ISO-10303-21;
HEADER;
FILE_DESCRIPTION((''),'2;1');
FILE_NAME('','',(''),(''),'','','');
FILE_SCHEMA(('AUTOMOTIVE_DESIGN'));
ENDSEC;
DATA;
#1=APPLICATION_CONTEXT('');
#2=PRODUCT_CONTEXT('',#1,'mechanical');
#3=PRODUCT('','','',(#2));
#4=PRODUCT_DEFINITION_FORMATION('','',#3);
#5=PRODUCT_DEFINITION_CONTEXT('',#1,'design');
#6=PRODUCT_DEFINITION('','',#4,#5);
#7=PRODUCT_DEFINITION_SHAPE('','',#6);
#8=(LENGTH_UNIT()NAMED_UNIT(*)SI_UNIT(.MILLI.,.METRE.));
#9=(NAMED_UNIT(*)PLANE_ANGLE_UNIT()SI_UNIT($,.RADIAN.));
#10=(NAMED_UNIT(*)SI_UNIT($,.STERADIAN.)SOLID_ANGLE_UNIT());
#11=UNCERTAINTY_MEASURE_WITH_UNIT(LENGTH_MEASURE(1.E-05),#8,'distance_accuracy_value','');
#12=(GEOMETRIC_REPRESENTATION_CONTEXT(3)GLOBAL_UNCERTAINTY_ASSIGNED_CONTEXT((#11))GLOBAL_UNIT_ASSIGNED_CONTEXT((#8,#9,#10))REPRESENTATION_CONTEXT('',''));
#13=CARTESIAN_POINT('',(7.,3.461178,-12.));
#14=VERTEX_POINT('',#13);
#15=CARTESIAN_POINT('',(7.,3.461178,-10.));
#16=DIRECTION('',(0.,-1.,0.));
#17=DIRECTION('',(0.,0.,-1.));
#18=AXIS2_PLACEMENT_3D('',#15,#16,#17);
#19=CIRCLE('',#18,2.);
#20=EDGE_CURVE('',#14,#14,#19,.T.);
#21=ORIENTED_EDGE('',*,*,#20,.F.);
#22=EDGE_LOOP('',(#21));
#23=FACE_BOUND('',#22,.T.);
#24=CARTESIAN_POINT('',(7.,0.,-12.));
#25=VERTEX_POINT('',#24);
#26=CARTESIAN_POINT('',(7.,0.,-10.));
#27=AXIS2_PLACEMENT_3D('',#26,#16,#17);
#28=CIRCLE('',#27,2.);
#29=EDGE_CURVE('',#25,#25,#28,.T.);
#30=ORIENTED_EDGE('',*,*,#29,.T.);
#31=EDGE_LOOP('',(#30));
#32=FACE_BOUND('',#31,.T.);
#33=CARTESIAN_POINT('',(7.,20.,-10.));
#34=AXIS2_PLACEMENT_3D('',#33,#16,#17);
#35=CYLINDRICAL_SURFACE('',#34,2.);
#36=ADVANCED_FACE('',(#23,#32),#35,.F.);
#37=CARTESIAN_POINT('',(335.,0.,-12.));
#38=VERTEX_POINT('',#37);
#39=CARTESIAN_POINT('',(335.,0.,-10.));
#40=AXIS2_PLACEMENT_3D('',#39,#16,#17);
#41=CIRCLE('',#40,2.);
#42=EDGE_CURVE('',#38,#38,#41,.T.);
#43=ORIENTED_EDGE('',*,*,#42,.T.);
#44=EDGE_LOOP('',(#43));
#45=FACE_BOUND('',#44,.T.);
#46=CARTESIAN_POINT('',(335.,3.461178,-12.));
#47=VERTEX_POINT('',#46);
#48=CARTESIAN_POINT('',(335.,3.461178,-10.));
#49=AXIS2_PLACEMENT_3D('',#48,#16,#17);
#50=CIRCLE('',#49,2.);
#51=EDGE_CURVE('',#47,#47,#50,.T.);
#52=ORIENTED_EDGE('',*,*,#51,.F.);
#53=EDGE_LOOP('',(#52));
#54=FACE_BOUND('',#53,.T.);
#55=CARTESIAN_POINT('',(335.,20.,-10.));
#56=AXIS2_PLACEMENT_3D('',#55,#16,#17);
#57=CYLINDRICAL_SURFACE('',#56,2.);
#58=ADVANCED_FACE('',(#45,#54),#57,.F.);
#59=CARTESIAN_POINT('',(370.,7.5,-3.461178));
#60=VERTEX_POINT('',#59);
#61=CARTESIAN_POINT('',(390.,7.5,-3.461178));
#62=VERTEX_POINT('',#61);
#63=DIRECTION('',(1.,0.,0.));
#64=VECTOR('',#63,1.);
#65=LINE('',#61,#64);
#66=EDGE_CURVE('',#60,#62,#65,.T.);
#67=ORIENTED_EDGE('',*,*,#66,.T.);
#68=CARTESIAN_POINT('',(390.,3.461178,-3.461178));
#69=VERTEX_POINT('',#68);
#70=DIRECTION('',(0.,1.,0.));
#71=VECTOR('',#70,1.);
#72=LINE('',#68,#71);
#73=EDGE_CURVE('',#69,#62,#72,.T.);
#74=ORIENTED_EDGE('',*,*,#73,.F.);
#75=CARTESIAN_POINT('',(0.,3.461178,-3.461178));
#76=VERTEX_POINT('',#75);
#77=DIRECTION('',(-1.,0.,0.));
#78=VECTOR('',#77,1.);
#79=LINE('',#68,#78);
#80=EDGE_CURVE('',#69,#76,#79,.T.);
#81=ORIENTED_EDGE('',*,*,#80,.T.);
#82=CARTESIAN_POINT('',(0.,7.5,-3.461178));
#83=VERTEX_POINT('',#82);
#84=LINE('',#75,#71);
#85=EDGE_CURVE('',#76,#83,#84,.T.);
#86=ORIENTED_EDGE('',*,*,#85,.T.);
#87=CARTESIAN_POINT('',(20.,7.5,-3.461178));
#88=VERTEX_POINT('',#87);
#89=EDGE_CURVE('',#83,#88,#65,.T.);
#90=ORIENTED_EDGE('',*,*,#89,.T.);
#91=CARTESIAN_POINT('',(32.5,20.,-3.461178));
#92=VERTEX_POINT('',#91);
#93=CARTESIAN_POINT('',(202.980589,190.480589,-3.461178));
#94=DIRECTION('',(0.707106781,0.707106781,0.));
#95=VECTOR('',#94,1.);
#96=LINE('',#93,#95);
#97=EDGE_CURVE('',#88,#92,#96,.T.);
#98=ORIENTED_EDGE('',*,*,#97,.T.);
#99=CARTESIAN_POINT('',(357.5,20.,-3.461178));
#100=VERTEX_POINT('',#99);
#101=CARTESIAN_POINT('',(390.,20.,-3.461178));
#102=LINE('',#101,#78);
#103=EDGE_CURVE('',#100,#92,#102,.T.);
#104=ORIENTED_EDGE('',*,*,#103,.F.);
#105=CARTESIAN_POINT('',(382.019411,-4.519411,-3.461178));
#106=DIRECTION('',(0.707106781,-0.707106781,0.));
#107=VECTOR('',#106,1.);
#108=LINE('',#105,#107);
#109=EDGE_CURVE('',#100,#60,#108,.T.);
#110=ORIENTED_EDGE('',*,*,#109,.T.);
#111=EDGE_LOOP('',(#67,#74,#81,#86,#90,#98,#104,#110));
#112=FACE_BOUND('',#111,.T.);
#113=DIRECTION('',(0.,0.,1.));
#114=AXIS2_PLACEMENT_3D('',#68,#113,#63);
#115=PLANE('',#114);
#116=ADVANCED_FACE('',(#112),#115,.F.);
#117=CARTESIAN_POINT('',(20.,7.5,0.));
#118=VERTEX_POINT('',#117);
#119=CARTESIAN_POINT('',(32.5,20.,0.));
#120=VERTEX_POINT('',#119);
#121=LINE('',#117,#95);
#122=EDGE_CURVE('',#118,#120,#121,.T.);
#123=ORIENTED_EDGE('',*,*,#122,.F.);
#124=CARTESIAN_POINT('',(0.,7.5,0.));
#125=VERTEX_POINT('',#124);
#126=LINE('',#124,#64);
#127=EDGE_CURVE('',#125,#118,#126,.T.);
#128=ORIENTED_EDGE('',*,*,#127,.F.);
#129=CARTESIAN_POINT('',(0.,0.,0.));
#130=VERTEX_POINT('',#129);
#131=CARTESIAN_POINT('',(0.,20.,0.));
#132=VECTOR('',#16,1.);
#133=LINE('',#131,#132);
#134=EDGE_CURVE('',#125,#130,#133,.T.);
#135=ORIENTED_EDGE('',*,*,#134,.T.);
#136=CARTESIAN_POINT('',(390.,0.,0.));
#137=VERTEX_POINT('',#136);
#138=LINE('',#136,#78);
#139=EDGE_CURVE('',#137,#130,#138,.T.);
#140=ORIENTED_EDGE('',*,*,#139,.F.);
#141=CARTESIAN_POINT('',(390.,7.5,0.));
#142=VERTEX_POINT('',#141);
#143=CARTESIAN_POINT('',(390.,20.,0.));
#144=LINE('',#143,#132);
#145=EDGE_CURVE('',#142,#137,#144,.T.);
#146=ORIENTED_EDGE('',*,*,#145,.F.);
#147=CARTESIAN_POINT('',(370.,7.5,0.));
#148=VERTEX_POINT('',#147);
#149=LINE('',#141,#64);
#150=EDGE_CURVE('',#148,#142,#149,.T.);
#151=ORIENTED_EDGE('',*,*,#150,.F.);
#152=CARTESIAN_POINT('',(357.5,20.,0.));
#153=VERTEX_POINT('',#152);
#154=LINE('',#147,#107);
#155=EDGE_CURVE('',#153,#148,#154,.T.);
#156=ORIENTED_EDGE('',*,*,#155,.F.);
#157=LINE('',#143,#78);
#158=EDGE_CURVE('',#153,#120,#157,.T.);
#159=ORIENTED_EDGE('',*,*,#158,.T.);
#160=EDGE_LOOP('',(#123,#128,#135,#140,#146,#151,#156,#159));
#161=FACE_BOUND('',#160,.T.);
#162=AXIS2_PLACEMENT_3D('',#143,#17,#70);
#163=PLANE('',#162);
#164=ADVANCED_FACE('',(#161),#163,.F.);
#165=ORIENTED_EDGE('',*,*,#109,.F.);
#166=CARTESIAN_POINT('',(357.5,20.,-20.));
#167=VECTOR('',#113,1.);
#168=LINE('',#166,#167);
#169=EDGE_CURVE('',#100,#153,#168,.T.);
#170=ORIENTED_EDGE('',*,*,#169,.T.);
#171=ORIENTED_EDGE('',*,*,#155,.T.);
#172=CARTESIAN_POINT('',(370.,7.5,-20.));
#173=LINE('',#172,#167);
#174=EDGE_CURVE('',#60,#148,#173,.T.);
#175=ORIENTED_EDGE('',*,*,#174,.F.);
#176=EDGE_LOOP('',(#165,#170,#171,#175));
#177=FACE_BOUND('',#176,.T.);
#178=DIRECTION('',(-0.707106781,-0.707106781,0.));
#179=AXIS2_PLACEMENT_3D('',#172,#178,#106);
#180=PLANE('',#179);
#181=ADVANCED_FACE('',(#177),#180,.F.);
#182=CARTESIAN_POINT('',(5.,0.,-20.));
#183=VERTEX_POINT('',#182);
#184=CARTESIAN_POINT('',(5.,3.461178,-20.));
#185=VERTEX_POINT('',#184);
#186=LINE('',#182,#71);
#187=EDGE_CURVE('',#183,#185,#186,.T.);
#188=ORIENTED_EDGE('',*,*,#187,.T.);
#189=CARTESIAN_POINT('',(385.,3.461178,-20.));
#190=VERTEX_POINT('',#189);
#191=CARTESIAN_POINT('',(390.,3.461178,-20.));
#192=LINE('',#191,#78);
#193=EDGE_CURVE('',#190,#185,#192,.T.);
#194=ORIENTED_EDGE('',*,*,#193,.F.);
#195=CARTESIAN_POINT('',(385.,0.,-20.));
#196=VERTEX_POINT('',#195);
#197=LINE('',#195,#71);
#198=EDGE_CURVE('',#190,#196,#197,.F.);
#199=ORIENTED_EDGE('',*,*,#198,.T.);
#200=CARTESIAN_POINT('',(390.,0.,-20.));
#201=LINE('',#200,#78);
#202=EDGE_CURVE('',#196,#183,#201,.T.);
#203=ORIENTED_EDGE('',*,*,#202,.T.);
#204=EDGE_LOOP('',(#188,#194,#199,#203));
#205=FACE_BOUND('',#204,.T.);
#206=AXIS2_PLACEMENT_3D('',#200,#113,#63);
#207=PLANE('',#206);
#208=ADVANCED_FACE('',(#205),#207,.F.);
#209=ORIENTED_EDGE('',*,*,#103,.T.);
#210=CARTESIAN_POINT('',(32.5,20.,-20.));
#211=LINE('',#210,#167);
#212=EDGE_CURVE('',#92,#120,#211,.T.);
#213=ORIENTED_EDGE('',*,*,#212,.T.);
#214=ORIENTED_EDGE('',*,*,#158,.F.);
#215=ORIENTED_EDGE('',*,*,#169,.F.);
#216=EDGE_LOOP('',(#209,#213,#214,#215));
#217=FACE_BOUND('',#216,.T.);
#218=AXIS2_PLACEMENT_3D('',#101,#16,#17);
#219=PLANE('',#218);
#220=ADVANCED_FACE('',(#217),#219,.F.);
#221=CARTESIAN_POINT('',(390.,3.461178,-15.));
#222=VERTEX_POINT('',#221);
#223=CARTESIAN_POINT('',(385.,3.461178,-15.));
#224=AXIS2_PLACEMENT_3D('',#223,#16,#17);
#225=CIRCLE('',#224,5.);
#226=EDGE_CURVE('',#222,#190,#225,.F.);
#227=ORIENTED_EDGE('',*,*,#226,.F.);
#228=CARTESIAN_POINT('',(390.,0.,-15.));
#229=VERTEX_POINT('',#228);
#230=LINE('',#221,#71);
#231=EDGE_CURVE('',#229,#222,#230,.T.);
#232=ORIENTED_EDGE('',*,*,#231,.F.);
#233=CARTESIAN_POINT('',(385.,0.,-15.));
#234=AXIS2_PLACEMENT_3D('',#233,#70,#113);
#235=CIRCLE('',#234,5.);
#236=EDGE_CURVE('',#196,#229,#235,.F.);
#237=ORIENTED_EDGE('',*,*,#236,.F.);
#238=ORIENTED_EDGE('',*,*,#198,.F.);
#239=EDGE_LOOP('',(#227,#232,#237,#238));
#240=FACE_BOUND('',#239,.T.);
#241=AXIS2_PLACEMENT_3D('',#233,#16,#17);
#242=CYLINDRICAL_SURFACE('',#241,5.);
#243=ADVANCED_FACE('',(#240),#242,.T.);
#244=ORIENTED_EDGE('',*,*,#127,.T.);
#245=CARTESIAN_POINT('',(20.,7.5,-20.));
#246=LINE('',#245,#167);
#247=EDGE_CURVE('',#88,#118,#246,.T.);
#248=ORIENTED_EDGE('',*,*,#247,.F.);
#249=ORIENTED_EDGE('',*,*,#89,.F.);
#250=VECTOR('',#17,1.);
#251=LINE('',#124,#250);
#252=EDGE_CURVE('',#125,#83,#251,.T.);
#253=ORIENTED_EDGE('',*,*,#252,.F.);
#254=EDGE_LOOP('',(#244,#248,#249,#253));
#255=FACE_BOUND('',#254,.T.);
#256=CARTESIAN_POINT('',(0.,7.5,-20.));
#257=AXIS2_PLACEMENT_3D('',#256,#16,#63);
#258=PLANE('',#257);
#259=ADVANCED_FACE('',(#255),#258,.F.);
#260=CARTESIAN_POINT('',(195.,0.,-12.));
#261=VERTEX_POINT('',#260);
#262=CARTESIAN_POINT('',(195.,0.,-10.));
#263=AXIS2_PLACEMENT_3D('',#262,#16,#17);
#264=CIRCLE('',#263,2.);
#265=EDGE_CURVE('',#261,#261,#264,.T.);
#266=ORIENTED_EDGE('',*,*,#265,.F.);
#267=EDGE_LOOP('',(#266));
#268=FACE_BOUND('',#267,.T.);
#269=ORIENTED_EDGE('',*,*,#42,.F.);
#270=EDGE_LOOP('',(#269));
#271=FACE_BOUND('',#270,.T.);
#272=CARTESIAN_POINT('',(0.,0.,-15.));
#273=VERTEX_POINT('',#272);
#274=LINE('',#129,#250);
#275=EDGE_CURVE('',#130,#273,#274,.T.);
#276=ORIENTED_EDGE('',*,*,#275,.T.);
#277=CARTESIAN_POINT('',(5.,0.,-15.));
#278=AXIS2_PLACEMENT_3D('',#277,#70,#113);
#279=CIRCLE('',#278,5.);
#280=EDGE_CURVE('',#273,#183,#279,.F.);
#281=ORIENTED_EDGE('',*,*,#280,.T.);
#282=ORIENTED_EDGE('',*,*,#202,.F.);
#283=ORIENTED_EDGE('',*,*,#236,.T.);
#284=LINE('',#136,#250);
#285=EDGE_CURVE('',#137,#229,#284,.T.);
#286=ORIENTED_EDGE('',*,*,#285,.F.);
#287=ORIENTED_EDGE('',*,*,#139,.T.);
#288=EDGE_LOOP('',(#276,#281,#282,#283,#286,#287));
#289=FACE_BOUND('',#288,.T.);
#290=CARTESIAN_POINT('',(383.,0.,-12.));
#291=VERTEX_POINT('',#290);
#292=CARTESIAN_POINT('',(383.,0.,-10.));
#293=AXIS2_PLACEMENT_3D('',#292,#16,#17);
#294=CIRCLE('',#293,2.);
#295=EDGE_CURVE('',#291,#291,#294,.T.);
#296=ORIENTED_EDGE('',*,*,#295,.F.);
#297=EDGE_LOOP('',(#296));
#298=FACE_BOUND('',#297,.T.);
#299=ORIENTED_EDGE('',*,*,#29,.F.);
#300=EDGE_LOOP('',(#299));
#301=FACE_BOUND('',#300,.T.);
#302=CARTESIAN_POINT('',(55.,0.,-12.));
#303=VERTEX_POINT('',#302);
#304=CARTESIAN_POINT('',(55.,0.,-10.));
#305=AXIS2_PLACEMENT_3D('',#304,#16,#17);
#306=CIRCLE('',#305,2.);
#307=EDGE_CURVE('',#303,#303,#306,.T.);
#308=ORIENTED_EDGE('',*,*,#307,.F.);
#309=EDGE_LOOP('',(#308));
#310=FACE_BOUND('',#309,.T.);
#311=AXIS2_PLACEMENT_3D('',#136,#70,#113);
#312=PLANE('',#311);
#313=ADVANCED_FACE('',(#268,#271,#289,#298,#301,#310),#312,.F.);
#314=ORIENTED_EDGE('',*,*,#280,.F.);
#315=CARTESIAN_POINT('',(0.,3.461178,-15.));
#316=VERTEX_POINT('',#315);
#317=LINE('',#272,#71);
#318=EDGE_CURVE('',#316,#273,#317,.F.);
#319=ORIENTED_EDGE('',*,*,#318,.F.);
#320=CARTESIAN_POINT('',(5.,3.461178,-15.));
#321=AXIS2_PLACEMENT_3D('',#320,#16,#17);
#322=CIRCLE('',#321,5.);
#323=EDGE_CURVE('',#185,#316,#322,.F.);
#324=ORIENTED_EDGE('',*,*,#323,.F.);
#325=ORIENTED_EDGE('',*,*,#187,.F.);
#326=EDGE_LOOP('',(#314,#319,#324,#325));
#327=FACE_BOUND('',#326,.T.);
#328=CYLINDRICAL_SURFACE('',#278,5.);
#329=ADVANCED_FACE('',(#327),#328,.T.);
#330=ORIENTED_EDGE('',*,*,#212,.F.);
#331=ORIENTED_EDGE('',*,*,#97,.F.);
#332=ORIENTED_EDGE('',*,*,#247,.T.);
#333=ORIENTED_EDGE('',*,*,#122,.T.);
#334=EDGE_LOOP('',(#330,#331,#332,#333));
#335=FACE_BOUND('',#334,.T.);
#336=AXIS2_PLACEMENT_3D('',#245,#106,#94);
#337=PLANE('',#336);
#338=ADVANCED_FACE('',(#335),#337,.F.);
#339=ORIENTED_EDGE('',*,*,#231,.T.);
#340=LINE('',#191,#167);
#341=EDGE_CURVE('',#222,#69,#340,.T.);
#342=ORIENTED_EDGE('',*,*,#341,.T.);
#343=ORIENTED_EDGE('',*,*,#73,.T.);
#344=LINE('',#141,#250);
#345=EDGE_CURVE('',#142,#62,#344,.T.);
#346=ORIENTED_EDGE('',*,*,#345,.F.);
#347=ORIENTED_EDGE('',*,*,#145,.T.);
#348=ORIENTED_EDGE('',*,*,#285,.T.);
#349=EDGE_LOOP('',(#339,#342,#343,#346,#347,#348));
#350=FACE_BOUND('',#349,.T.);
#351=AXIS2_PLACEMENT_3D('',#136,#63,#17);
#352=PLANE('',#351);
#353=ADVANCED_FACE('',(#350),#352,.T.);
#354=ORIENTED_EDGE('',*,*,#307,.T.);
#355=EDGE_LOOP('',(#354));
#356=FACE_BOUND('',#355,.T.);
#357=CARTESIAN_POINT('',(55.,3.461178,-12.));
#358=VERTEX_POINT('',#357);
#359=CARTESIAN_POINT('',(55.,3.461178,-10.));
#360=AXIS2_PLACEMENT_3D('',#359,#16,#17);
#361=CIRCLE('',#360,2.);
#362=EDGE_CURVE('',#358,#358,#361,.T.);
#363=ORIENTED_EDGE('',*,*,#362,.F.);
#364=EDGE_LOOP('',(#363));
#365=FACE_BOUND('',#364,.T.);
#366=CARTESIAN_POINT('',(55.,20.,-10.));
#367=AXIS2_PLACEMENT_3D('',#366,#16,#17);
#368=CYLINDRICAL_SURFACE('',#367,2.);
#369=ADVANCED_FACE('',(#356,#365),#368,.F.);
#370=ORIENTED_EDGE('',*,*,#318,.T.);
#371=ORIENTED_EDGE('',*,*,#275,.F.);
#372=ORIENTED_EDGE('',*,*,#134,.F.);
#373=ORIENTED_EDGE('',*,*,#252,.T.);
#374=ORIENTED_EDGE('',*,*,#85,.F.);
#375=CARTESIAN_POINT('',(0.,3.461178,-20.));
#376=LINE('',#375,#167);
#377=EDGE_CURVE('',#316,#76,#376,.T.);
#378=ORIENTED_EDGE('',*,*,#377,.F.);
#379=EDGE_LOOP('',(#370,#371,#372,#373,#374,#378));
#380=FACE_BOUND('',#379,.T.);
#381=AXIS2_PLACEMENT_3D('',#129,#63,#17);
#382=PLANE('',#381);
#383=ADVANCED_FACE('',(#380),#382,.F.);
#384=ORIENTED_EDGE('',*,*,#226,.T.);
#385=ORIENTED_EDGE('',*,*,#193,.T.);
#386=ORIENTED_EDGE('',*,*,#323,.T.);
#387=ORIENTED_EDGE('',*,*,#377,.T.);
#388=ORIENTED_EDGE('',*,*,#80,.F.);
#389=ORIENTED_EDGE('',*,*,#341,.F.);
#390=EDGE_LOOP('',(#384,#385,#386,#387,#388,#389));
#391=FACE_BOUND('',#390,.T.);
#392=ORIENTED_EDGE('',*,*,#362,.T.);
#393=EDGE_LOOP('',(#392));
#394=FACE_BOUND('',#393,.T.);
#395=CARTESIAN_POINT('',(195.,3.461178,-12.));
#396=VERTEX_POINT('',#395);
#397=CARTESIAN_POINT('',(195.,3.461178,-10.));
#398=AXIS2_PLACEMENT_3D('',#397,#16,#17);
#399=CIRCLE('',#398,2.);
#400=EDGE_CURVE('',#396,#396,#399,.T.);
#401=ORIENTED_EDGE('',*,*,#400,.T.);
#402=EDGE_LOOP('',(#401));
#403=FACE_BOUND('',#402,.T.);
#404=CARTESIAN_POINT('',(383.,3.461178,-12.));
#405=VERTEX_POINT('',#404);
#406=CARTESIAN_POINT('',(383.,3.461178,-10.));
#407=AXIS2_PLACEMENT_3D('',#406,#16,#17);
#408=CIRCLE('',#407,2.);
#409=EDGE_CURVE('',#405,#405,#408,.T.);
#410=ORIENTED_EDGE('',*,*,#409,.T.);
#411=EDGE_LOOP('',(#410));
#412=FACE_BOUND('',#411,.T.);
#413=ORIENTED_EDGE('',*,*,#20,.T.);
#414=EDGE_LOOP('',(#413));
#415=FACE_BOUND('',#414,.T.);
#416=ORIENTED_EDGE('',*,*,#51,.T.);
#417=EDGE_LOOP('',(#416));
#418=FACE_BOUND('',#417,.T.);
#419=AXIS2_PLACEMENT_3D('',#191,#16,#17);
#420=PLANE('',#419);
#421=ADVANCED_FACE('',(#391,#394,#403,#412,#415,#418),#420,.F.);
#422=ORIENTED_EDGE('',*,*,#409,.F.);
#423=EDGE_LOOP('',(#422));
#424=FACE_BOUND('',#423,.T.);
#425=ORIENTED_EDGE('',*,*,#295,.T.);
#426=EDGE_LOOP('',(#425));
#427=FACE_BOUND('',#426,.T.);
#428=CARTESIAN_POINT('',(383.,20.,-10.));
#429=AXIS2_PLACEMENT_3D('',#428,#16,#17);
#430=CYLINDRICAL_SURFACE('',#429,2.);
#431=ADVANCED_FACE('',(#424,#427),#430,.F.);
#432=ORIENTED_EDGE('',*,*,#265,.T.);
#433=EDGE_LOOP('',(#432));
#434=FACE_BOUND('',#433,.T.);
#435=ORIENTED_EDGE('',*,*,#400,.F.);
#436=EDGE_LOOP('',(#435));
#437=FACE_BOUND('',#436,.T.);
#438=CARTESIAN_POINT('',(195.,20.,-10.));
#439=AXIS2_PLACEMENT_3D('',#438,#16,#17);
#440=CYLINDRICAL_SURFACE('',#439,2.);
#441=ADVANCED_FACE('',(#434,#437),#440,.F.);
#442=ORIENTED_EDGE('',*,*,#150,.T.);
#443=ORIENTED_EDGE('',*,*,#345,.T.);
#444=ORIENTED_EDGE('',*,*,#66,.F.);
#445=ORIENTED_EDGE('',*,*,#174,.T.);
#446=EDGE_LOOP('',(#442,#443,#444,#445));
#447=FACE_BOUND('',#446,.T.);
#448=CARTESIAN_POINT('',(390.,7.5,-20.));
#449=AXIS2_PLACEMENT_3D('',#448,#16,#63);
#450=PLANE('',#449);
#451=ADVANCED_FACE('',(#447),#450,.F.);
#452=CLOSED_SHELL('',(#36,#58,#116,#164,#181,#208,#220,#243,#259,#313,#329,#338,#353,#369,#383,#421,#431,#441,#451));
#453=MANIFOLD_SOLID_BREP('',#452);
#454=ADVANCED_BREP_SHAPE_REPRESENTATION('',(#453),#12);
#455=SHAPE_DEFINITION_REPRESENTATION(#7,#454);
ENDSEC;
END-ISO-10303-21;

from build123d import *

# Parameters (mm, degrees)
BOSS_EXTRUDE1_DEPTH = 390
SKETCH2_R           = 2
CUT_EXTRUDE1_DEPTH  = 392.02429592
CUT_EXTRUDE2_DEPTH  = 392.02429592
FILLET1_R           = 5


with BuildPart() as part:
    # Sketch1 → Boss-Extrude1 (new body)
    with BuildSketch(Plane(origin=(0, 0, 0), x_dir=(0, 0, -1), z_dir=(1, 0, 0))):
        Polygon((0, 0), (20, 0), (20, 3.461178467), (3.461178467, 3.461178467), (3.461178467, 20), (0, 20), align=None)
    extrude(amount=BOSS_EXTRUDE1_DEPTH)

    # Sketch2 → Cut-Extrude1 (cut, through all)
    with BuildSketch(Plane.XZ):
        with Locations(Location((195, -10, 0), (0, 0, 270))):
            Circle(SKETCH2_R)
        with Locations(Location((335, -10, 0), (0, 0, 270))):
            Circle(SKETCH2_R)
        with Locations(Location((55, -10, 0), (0, 0, 270))):
            Circle(SKETCH2_R)
        with Locations(Location((383, -10, 0), (0, 0, 270))):
            Circle(SKETCH2_R)
        with Locations(Location((7, -10, 0), (0, 0, 270))):
            Circle(SKETCH2_R)
    extrude(amount=-CUT_EXTRUDE1_DEPTH, mode=Mode.SUBTRACT)

    # Sketch3 → Cut-Extrude2 (cut, through all)
    with BuildSketch(Plane.XY):
        Polygon((0, 7.5), (20, 7.5), (32.5, 20), (0, 20), align=None)
        Polygon((390, 20), (357.5, 20), (370, 7.5), (390, 7.5), align=None)
    extrude(amount=-CUT_EXTRUDE2_DEPTH, mode=Mode.SUBTRACT)

    # Fillet1
    fillet1_edges = [part.edges().sort_by_distance(p)[0] for p in [
        (390, 1.730589234, -20),
        (0, 1.730589234, -20),
    ]]
    fillet(fillet1_edges, radius=FILLET1_R)


solid = part.part
